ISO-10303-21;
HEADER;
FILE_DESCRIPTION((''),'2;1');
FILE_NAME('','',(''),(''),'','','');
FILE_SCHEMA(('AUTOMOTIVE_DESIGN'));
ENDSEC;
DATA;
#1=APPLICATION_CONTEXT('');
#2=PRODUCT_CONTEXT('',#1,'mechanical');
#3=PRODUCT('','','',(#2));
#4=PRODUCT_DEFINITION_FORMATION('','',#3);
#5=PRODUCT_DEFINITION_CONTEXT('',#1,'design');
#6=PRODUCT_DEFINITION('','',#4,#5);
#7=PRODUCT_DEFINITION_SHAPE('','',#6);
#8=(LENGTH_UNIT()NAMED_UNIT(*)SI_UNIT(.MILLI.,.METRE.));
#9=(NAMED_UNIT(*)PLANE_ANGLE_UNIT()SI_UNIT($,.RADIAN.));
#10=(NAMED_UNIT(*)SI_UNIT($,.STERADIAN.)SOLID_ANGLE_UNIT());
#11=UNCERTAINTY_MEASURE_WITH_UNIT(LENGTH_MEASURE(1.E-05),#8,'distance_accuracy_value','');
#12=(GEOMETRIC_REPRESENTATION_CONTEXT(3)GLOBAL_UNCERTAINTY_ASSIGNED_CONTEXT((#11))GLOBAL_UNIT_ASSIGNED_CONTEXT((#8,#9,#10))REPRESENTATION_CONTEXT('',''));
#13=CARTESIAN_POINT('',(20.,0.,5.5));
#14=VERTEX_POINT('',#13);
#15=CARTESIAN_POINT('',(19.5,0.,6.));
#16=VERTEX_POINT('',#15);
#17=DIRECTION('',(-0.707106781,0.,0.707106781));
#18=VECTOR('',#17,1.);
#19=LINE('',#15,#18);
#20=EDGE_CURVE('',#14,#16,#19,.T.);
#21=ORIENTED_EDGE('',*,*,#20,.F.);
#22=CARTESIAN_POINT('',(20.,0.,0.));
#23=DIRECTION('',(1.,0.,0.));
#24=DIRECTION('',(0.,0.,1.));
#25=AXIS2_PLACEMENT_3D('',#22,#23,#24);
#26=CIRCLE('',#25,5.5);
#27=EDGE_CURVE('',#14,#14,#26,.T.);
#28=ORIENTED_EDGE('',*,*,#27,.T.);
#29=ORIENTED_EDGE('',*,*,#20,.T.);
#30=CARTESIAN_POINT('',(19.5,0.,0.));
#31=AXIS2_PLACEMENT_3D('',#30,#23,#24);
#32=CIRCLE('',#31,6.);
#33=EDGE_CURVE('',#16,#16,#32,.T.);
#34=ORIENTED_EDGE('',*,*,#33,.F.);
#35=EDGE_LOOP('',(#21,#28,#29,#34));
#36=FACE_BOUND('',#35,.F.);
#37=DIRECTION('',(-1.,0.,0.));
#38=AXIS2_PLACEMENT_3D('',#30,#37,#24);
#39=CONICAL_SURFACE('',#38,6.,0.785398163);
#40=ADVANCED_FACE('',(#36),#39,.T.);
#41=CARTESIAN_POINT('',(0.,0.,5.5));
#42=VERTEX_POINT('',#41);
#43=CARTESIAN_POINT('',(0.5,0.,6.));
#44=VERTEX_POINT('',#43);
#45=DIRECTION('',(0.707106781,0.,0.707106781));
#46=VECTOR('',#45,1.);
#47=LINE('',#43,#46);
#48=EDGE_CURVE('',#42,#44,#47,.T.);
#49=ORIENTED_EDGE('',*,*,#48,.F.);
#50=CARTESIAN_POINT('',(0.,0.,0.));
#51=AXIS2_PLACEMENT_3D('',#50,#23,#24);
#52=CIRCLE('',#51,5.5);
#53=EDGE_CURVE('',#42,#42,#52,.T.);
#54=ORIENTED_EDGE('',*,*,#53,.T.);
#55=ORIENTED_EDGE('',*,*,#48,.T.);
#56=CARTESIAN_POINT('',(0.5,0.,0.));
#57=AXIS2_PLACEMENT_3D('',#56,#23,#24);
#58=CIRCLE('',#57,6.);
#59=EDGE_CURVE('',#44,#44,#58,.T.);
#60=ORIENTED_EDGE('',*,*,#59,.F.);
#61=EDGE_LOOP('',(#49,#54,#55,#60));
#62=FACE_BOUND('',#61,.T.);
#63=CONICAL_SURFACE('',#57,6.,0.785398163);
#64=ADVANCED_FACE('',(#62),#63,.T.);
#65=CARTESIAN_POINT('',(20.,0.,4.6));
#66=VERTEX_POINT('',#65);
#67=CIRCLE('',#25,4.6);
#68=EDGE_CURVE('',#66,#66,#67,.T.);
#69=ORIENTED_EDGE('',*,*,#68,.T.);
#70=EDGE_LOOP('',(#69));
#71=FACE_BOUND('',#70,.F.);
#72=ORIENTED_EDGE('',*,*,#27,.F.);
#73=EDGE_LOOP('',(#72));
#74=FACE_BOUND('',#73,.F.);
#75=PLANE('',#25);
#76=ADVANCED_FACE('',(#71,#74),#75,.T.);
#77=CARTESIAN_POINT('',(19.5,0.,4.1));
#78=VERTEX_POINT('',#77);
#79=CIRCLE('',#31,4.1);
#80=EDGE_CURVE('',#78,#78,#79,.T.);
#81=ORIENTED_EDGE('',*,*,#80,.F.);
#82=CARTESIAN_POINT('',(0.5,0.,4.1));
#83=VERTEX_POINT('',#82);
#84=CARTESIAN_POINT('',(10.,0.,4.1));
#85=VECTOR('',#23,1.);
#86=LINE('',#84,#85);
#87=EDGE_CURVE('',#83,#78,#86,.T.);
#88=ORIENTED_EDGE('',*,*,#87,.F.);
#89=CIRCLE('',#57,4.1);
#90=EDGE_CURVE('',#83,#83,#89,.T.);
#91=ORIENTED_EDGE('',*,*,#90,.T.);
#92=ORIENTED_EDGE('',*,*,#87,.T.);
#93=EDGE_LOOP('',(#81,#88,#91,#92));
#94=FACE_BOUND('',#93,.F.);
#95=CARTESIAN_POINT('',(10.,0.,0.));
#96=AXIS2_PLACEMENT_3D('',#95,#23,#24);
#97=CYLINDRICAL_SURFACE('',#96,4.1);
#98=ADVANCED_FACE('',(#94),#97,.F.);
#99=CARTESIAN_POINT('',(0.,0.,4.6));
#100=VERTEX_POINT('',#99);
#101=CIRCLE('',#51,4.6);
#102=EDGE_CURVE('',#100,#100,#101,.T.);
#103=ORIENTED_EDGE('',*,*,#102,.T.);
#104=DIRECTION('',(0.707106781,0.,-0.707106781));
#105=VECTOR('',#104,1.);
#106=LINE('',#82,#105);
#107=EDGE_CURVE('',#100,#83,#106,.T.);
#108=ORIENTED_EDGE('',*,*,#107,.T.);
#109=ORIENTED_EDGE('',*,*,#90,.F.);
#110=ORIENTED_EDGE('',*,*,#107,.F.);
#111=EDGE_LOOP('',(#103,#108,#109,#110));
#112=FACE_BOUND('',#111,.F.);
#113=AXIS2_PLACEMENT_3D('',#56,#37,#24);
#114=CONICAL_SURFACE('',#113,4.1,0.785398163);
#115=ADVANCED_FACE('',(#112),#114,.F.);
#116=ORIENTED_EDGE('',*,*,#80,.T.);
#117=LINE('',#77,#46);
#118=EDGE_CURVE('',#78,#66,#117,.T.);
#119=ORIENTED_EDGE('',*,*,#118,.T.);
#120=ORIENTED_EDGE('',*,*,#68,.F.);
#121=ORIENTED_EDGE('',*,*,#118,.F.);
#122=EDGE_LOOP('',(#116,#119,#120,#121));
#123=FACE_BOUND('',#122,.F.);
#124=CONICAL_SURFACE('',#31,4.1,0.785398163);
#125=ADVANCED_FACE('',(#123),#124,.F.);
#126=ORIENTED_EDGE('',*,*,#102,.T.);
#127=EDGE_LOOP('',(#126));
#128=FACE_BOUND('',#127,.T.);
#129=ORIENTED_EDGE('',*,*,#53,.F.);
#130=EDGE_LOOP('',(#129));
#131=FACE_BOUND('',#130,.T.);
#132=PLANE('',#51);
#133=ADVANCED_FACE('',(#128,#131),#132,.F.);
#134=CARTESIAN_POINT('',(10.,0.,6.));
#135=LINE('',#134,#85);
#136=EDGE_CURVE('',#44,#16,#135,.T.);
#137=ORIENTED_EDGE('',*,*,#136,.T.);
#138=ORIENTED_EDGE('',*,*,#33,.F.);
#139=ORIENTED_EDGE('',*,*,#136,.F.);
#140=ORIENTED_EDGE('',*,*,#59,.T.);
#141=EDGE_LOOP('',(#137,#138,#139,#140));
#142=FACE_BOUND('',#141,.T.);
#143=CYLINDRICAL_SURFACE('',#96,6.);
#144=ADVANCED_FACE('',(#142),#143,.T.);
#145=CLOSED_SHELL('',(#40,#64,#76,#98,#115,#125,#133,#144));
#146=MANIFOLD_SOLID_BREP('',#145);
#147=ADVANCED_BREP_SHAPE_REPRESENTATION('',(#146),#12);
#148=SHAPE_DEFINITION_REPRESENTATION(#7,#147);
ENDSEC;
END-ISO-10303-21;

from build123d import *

# Parameters (mm, degrees)
F0_W    = 20
F0_H    = 1.9
F2_SIZE = 0.5


with BuildPart() as f1:
    # F0 (on Front) → F1 (revolve)
    with BuildSketch(Plane.XZ):
        with Locations((10, 5.05)):
            Rectangle(F0_W, F0_H)
    revolve(axis=Axis((17.162783, 0, 0), (1, 0, 0)))

    # F2
    f2_edges = [f1.edges().sort_by_distance(p)[0] for p in [
        (0, 0, -6),
        (20, 0, -6),
        (20, 0, -4.1),
        (0, 0, -4.1),
    ]]
    chamfer(f2_edges, length=F2_SIZE)


solid = f1.part
